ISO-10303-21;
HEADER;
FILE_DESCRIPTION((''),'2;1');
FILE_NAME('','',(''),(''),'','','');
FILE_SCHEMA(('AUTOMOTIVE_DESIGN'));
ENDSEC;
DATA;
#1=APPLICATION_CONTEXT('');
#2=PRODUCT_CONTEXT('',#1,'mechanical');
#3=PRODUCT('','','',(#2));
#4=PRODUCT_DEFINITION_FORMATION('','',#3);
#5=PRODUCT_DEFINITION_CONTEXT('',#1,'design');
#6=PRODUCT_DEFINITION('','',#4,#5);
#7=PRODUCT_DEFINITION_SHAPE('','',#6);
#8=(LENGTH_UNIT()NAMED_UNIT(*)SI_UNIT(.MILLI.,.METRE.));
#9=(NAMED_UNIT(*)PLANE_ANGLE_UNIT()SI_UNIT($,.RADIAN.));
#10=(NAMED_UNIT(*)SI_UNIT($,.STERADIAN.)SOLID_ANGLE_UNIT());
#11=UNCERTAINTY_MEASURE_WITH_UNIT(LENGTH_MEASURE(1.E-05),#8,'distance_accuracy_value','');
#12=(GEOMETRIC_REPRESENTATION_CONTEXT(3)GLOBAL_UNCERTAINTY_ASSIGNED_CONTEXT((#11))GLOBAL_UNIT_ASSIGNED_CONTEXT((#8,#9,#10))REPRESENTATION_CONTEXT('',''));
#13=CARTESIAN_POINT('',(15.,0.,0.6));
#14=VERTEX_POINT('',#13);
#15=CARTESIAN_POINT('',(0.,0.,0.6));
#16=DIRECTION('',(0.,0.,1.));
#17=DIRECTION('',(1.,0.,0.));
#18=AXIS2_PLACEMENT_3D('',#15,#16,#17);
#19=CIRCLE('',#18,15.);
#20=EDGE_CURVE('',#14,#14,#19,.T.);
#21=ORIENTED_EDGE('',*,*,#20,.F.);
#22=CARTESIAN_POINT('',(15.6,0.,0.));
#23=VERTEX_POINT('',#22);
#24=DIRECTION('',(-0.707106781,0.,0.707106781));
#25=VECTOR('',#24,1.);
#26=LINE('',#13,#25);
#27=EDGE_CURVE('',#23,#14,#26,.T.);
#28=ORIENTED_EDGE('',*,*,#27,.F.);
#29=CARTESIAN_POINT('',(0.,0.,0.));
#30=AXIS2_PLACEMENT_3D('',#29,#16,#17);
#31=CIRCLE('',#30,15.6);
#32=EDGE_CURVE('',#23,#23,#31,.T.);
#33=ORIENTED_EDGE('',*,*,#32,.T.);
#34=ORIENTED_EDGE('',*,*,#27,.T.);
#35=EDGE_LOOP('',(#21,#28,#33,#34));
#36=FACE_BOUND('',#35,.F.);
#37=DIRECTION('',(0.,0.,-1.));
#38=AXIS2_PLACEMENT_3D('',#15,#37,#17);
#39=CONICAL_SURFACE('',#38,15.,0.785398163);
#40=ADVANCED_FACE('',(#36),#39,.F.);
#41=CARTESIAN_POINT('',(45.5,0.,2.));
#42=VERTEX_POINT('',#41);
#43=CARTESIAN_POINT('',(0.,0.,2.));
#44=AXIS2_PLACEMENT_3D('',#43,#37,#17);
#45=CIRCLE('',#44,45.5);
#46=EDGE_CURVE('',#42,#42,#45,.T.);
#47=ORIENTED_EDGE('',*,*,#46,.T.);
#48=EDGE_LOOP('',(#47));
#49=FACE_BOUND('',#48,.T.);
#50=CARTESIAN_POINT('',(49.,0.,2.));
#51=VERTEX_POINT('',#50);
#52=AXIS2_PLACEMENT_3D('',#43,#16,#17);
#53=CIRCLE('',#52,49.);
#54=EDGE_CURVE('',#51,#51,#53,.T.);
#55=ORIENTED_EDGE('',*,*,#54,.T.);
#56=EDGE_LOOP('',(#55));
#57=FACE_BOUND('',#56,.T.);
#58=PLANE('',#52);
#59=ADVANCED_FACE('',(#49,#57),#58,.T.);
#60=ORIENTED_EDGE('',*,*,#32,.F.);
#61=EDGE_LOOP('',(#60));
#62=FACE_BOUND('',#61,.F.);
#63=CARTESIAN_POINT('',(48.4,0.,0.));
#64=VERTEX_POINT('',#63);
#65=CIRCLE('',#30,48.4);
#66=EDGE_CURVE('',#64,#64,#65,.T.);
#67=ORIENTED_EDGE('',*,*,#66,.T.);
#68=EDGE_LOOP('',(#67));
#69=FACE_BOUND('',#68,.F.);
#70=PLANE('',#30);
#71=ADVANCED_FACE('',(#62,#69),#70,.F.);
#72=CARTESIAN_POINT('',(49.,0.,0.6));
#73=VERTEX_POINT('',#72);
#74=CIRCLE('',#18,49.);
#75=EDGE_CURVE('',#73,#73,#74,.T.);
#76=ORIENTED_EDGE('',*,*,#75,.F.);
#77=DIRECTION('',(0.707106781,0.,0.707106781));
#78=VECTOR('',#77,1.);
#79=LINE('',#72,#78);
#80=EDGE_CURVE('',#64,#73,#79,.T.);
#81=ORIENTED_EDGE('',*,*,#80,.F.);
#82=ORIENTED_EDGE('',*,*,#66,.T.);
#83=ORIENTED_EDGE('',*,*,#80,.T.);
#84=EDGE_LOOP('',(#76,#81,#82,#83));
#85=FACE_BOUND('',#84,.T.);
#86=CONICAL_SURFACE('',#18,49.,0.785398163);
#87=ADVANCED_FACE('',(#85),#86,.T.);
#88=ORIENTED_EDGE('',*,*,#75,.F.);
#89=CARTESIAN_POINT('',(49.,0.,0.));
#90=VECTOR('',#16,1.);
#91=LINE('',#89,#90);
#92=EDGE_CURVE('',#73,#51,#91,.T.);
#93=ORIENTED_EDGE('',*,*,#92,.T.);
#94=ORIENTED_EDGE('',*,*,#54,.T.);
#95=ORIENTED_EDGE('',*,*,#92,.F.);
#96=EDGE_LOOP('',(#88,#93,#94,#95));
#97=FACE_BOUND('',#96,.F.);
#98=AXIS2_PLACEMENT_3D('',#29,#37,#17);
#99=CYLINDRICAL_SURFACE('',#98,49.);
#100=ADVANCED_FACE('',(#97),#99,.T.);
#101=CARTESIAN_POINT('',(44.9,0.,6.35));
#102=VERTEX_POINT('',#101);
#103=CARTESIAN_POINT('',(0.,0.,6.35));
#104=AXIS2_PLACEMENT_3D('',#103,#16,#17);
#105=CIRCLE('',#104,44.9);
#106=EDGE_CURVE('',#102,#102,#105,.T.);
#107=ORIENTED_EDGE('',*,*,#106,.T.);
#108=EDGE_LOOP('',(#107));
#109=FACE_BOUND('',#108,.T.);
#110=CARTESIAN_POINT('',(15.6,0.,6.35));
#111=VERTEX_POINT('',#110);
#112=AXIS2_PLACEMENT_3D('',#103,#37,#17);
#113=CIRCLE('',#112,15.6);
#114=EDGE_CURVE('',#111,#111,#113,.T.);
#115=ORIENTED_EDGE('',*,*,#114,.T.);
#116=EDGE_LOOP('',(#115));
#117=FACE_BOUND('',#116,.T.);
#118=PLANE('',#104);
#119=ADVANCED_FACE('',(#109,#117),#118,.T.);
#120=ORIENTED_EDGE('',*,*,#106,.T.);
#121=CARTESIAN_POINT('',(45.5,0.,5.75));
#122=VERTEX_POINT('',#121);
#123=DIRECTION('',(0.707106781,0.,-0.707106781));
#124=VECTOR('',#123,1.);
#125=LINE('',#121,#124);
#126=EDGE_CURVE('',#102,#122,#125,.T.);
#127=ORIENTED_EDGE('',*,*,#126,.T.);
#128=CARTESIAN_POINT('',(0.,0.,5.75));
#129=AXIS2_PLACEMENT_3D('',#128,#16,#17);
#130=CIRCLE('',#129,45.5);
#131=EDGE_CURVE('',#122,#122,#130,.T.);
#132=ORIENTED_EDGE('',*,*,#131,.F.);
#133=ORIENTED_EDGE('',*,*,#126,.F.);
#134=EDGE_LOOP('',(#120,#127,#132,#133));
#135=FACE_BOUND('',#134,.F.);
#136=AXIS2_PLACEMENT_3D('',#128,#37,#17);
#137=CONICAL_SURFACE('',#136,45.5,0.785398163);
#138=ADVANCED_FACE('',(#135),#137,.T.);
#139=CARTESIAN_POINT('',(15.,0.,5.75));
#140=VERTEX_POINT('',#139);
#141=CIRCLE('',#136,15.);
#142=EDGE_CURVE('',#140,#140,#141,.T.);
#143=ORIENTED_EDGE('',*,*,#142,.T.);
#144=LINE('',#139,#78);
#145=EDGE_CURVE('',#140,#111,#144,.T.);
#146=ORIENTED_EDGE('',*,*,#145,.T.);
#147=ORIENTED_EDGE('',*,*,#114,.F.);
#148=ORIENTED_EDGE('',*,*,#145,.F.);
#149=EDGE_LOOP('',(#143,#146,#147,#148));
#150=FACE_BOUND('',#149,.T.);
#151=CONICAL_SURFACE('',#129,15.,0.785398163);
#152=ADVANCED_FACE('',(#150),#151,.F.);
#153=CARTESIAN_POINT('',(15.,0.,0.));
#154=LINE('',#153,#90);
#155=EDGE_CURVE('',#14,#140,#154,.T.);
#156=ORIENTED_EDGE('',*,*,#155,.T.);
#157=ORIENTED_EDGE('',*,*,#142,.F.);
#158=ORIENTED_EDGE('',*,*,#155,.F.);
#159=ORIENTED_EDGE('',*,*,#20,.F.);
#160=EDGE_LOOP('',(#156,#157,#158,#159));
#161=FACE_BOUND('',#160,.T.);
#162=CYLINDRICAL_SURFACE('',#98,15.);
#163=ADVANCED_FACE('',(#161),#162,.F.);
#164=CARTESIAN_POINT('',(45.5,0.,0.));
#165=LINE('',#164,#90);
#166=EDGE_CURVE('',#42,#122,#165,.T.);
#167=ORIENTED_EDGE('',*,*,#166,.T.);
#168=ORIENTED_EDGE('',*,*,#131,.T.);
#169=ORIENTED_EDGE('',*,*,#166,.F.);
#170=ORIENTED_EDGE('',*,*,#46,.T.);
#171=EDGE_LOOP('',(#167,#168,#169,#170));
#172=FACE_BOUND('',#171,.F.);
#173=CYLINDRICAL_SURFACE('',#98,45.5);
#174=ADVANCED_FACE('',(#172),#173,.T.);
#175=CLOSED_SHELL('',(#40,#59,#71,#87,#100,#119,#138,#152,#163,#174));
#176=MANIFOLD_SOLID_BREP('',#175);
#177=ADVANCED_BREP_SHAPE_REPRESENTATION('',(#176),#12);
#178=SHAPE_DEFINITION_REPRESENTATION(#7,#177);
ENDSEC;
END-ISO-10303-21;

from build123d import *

# Parameters (mm, degrees)
SKETCH_R     = 49
PAD_DEPTH    = 2
SKETCH001_R  = 45.5
PAD001_DEPTH = 6.35
SKETCH002_R  = 15
POCKET_DEPTH = 6.351
CHAMFER_SIZE = 0.6


with BuildPart() as part:
    # Sketch → Pad (new body)
    with BuildSketch(Plane.XY):
        Circle(SKETCH_R)
    extrude(amount=PAD_DEPTH)

    # Sketch001 → Pad001 (join)
    with BuildSketch(Plane.XY):
        Circle(SKETCH001_R)
    extrude(amount=PAD001_DEPTH)

    # Sketch002 → Pocket (cut, through all)
    with BuildSketch(Plane.XY):
        Circle(SKETCH002_R)
    extrude(amount=POCKET_DEPTH, mode=Mode.SUBTRACT)

    # Chamfer
    chamfer_edges = [part.edges().sort_by_distance(p)[0] for p in [
        (-45.5, 0, 6.35),
        (-15, 0, 6.35),
        (-49, 0, 0),
        (-15, 0, 0),
    ]]
    chamfer(chamfer_edges, length=CHAMFER_SIZE)


solid = part.part
